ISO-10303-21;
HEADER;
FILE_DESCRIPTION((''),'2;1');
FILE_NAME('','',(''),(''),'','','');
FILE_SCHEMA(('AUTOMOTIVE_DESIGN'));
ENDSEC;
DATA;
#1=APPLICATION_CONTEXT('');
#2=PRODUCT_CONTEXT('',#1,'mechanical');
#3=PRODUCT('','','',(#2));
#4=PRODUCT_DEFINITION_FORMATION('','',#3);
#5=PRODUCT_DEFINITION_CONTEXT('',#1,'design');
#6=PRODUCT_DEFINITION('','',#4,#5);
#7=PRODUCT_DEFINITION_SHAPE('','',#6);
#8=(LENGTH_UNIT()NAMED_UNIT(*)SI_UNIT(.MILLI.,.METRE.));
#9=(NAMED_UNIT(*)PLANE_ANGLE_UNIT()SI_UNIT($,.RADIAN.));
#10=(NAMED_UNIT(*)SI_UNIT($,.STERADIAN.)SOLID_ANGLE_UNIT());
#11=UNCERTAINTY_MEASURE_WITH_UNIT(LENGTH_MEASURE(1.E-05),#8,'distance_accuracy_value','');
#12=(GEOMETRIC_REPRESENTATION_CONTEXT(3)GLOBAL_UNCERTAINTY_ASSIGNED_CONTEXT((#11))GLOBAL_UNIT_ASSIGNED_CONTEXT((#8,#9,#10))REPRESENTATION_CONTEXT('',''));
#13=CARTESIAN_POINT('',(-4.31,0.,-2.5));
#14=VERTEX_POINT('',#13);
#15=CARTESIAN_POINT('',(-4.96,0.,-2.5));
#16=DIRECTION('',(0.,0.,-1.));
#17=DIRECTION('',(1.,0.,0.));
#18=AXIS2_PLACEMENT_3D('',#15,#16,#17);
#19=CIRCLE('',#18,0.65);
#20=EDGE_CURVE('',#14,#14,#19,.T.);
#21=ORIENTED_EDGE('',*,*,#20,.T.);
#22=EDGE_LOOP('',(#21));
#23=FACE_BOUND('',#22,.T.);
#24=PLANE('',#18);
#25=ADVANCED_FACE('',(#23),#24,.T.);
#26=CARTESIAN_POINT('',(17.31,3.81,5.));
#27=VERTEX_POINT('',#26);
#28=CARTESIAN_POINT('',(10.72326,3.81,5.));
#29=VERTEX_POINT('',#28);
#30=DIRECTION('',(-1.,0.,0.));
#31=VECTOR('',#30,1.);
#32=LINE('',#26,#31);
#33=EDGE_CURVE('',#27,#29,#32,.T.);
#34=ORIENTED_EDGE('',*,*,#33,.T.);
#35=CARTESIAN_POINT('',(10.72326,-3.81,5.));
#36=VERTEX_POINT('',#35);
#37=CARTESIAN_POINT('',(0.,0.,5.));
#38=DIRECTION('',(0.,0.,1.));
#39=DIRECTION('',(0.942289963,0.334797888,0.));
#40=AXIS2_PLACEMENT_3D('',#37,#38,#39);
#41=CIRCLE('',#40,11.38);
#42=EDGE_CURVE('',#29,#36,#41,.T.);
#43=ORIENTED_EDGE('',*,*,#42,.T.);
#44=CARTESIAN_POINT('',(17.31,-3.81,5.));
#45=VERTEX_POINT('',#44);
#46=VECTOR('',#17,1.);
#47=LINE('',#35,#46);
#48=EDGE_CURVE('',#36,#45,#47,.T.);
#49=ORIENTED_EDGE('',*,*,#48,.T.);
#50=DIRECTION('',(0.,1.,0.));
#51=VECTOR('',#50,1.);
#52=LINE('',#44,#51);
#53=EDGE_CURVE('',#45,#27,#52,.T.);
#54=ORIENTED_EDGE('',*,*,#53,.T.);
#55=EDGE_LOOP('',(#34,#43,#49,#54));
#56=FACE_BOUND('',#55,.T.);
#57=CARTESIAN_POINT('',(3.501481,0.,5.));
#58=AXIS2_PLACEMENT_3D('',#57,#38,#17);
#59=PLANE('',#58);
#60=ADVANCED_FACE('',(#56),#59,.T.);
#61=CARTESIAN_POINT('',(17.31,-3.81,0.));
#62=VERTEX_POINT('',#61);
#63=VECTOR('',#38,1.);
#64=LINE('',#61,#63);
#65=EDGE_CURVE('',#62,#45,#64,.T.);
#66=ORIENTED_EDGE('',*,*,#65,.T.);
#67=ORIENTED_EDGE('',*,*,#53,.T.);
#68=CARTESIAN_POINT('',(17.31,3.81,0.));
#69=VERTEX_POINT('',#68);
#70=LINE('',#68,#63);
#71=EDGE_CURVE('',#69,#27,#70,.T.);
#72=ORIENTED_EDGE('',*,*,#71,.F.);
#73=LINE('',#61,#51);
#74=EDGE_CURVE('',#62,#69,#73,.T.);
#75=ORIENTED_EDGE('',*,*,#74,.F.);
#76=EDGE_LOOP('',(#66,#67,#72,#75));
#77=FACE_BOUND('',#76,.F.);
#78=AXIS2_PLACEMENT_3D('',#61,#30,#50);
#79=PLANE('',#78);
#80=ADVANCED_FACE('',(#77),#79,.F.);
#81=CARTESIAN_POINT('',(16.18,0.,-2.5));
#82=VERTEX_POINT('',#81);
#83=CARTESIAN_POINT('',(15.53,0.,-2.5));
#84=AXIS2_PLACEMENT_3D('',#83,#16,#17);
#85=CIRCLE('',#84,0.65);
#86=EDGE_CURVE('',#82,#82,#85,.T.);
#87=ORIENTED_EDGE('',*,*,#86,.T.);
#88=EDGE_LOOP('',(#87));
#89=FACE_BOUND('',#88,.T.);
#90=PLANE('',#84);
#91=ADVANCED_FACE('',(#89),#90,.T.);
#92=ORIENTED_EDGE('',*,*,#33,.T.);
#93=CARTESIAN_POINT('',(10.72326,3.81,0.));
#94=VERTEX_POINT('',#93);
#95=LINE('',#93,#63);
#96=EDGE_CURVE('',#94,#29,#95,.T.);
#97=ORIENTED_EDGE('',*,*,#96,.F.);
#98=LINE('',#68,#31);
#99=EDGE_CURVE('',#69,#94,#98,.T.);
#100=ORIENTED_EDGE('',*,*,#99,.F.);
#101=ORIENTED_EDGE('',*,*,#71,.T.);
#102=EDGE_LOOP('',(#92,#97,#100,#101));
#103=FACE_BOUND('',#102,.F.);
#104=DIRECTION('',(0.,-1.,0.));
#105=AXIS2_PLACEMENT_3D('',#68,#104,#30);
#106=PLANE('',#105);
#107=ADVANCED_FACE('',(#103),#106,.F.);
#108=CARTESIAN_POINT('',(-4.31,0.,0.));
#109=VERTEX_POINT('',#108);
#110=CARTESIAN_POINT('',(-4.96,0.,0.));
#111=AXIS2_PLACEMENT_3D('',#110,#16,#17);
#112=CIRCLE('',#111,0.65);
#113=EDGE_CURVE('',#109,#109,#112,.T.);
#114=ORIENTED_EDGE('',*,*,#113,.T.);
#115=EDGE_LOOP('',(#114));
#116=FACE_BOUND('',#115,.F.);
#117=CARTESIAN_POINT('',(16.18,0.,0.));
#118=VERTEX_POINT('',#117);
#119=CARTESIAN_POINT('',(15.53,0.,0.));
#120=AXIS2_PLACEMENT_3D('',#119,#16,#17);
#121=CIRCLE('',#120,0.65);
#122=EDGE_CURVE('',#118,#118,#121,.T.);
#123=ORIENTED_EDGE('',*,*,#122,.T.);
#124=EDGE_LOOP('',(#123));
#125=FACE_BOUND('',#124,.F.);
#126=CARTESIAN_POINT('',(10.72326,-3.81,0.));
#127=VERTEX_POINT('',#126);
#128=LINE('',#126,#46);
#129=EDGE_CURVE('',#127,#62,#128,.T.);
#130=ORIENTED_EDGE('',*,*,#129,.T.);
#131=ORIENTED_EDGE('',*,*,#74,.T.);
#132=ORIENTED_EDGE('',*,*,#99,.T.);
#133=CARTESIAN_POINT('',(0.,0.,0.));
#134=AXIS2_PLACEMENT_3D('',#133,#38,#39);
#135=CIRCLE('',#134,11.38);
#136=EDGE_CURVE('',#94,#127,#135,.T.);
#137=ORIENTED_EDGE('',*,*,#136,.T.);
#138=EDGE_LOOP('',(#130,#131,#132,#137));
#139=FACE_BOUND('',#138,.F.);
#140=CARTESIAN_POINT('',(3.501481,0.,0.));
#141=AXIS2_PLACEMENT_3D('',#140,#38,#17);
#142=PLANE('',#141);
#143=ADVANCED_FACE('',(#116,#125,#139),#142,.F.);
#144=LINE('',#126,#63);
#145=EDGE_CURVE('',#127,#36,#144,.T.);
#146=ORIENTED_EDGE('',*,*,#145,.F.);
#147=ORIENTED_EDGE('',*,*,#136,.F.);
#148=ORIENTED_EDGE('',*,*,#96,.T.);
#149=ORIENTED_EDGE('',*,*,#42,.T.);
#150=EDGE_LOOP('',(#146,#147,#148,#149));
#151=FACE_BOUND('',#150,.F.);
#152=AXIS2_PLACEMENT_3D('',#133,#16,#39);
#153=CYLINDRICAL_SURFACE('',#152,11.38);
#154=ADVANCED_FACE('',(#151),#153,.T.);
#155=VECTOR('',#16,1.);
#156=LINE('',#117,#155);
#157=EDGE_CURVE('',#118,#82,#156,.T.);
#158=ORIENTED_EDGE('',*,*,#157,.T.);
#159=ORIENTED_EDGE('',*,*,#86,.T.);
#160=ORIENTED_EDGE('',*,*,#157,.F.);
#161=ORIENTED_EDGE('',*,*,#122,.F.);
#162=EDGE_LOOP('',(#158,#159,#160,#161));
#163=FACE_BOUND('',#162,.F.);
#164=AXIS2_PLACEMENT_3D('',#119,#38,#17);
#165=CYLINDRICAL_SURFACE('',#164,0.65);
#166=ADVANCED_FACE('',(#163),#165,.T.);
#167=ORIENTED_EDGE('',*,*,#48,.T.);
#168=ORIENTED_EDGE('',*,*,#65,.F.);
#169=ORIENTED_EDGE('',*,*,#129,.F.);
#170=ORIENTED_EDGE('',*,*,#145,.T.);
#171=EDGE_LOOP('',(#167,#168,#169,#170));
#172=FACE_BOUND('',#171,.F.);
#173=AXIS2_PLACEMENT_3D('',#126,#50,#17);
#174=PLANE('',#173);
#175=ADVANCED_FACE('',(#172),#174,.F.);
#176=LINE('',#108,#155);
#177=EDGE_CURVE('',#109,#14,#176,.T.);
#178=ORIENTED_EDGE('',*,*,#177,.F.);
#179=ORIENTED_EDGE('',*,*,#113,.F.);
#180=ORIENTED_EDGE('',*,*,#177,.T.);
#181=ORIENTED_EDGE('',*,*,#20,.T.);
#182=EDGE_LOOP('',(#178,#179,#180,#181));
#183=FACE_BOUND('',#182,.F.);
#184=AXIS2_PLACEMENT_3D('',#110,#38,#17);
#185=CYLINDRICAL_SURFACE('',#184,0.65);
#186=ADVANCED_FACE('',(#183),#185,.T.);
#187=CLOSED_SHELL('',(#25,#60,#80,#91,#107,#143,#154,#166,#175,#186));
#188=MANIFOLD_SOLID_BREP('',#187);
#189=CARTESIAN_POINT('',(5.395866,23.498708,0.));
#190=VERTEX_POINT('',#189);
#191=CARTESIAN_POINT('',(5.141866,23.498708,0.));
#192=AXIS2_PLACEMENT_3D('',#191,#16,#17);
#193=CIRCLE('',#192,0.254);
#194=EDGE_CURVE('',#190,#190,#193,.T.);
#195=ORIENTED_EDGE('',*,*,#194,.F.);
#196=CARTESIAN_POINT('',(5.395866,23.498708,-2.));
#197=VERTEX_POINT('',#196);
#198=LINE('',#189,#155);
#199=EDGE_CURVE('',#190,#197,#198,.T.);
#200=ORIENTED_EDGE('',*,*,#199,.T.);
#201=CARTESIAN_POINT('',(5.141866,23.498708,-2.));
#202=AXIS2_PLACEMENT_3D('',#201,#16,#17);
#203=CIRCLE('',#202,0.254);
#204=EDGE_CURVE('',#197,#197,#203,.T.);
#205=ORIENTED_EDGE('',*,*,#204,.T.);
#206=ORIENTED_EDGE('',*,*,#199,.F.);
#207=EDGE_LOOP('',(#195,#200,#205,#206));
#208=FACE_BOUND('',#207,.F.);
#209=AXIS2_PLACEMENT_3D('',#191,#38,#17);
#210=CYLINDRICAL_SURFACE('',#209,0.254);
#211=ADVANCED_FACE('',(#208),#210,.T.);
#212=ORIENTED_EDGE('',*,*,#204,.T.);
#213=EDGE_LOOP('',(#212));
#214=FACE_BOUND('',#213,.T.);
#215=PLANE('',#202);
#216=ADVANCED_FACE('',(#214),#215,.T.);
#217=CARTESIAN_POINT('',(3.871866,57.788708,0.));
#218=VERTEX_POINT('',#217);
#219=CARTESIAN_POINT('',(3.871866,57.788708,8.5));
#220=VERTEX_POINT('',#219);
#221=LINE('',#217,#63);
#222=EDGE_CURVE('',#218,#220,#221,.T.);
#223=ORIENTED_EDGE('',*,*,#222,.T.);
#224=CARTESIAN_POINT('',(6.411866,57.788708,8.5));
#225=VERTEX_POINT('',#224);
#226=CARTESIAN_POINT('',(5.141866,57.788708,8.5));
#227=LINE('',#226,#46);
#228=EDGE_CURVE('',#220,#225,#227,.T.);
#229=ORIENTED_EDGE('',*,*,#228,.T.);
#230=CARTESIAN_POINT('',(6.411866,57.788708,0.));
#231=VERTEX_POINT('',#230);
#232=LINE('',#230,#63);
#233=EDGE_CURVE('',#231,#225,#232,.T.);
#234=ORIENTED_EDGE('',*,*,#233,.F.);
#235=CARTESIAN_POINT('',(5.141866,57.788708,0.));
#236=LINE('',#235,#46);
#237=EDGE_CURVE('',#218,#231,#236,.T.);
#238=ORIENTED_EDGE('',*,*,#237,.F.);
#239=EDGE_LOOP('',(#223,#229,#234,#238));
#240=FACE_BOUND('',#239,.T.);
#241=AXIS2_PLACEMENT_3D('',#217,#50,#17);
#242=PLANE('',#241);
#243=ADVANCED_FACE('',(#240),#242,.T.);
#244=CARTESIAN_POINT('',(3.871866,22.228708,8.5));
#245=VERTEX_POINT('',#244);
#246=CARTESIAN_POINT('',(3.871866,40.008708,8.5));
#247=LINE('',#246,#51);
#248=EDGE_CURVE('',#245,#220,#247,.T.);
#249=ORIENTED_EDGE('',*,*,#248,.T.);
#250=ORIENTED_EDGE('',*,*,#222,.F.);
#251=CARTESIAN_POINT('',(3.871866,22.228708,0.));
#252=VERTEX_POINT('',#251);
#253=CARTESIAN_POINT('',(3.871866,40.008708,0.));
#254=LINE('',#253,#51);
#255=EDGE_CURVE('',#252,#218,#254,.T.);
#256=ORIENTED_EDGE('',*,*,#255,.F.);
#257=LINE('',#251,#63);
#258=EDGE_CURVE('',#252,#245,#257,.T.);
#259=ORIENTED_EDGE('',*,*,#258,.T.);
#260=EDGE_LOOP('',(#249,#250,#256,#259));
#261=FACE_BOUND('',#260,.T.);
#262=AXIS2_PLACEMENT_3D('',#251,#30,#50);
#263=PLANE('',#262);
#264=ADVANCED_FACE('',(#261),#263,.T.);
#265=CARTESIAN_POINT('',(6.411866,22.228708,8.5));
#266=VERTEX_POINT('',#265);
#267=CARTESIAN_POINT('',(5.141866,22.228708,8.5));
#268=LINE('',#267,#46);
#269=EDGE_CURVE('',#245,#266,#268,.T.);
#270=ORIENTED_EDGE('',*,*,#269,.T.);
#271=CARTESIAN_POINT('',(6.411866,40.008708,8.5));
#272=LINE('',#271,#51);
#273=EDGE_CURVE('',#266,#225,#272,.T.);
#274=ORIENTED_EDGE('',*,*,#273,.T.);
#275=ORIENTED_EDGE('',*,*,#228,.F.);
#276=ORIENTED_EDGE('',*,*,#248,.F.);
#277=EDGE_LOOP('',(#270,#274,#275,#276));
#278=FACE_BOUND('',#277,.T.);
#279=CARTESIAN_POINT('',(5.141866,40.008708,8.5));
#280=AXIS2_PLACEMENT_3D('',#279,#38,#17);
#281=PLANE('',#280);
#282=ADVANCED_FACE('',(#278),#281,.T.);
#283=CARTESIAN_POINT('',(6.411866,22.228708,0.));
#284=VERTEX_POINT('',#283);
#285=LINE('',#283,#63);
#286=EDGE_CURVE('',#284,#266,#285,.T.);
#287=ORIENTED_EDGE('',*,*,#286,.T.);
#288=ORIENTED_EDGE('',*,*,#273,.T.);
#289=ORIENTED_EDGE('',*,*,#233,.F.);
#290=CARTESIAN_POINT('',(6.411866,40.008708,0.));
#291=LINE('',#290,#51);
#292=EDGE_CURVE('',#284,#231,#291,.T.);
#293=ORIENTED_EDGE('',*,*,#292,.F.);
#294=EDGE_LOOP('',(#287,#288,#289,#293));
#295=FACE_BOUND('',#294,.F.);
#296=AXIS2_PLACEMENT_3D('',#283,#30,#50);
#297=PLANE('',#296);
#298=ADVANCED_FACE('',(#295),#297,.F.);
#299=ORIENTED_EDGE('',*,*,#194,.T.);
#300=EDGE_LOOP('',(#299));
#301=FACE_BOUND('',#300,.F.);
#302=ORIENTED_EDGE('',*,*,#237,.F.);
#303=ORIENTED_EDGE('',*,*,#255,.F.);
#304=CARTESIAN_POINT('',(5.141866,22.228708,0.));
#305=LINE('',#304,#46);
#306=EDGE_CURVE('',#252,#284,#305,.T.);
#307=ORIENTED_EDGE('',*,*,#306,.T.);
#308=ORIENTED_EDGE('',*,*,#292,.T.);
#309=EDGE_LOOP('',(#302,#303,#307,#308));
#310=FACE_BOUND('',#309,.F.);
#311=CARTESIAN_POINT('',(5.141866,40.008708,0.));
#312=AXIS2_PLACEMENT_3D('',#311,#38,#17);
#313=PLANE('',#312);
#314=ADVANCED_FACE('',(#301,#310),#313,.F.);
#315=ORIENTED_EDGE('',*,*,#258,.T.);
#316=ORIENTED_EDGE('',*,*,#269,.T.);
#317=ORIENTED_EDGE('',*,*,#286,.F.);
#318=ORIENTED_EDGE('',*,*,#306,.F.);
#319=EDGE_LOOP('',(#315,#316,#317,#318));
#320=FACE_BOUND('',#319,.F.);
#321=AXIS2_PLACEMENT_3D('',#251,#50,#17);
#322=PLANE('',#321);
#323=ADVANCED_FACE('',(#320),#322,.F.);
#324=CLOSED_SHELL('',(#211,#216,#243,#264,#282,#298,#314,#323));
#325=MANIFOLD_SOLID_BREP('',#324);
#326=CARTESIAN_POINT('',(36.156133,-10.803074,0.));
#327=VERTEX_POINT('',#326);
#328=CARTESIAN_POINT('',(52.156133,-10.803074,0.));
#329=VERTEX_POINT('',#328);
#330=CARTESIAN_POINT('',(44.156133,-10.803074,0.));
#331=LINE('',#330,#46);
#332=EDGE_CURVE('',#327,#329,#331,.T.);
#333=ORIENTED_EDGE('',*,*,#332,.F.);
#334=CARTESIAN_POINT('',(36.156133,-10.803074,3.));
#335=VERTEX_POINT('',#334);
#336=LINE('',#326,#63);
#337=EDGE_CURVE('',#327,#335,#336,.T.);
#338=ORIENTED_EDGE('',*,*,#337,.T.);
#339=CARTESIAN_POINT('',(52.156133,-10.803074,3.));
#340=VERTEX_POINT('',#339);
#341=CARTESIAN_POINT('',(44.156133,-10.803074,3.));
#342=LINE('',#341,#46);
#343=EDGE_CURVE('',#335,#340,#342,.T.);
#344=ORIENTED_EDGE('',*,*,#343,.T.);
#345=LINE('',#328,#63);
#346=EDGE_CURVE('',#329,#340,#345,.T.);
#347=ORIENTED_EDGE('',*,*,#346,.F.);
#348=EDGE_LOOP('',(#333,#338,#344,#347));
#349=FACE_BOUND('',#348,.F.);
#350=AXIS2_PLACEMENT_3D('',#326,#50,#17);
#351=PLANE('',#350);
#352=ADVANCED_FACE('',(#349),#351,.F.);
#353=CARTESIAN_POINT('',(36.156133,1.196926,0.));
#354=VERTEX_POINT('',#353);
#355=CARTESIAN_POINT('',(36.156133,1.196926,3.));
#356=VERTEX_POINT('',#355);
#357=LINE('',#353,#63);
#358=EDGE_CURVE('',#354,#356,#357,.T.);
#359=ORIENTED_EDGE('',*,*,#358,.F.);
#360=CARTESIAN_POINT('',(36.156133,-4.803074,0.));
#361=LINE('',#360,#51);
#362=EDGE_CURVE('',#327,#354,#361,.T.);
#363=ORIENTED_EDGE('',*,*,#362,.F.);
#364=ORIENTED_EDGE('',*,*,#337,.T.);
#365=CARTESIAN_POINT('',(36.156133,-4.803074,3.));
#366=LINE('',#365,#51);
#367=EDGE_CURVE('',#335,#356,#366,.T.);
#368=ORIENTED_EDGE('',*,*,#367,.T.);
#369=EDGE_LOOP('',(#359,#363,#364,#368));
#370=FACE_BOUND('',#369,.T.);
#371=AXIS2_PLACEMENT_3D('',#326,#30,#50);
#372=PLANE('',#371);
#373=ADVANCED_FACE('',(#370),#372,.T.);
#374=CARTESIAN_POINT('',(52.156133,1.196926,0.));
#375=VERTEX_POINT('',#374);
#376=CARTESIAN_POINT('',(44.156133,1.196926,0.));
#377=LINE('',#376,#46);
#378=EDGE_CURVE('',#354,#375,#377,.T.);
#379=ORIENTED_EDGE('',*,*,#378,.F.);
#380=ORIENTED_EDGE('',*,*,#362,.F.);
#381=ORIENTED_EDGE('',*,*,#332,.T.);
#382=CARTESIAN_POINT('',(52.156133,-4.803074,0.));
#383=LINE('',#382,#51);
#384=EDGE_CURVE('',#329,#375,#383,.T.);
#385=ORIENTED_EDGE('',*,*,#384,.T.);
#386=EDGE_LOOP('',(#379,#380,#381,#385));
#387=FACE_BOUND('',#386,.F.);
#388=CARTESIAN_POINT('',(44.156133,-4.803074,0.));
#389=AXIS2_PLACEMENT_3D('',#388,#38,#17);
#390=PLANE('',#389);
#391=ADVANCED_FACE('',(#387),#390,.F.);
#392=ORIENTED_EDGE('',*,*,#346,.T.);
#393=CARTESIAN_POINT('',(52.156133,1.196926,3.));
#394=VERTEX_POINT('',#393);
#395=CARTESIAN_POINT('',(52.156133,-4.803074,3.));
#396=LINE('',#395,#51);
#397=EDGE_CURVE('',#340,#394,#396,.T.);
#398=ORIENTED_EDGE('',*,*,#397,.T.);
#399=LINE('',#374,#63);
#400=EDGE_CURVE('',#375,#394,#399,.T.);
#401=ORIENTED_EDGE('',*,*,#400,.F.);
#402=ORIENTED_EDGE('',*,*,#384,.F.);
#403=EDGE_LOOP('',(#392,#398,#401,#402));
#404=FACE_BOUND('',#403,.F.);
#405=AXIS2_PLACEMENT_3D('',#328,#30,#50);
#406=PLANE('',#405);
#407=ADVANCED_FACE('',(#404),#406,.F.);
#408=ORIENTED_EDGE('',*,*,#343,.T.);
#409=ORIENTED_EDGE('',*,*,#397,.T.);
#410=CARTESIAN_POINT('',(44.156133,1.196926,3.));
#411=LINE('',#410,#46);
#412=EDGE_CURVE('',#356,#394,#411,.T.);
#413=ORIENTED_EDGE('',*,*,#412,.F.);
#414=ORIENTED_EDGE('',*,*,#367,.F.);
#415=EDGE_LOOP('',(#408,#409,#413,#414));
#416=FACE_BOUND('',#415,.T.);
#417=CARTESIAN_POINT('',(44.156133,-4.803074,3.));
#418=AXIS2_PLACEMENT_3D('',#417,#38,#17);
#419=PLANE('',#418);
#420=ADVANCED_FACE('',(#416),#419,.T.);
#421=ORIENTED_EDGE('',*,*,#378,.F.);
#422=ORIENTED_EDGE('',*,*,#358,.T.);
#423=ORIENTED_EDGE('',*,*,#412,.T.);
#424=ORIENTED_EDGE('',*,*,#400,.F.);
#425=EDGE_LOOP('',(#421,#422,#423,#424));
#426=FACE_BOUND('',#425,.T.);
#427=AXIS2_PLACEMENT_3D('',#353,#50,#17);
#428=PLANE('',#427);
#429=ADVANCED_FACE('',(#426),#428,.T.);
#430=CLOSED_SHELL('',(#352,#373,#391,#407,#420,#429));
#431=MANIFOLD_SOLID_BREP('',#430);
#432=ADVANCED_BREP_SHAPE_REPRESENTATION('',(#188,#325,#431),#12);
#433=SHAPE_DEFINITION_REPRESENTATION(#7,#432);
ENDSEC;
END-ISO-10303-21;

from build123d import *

# Parameters (mm, degrees)
PAD_DEPTH    = 5
SKETCH001_R  = 0.65
PAD001_DEPTH = 2.5
SKETCH002_W  = 16
SKETCH002_H  = 12
PAD002_DEPTH = 3
SKETCH003_W  = 2.54
SKETCH003_H  = 35.56
PAD003_DEPTH = 8.5
SKETCH004_R  = 0.254
PAD004_DEPTH = 2


with BuildPart() as coin_cell_holder:
    # Sketch → Pad (new body)
    with BuildSketch(Plane.XY):
        with BuildLine():
            ThreePointArc((10.72326, 3.81), (-11.38, 0), (10.72326, -3.81))
            Line((10.72326, -3.81), (17.31, -3.81))
            Line((17.31, -3.81), (17.31, 3.81))
            Line((17.31, 3.81), (10.72326, 3.81))
        make_face()
    extrude(amount=PAD_DEPTH)

    # Sketch001 (on Face5 of Pad) → Pad001 (join)
    with BuildSketch(Plane(origin=(0, 0, 0), x_dir=(1, 0, 0), z_dir=(0, 0, -1))):
        with Locations((-4.96, 0)):
            Circle(SKETCH001_R)
        with Locations((15.53, 0)):
            Circle(SKETCH001_R)
    extrude(amount=PAD001_DEPTH)


with BuildPart() as psk_receiver:
    # Sketch002 → Pad002 (new body)
    with BuildSketch(Plane.XY):
        with Locations((44.156133, -4.803074)):
            Rectangle(SKETCH002_W, SKETCH002_H)
    extrude(amount=PAD002_DEPTH)


with BuildPart() as teensy_header:
    # Sketch003 → Pad003 (new body)
    with BuildSketch(Plane.XY):
        with Locations((5.141866, 40.008708)):
            Rectangle(SKETCH003_W, SKETCH003_H)
    extrude(amount=PAD003_DEPTH)

    # Sketch004 (on Face5 of Pad003) → Pad004 (join)
    with BuildSketch(Plane(origin=(0, 0, 0), x_dir=(1, 0, 0), z_dir=(0, 0, -1))):
        with Locations((5.141866, -23.498708)):
            Circle(SKETCH004_R)
    extrude(amount=PAD004_DEPTH)


solid = Compound([coin_cell_holder.part, psk_receiver.part, teensy_header.part])
